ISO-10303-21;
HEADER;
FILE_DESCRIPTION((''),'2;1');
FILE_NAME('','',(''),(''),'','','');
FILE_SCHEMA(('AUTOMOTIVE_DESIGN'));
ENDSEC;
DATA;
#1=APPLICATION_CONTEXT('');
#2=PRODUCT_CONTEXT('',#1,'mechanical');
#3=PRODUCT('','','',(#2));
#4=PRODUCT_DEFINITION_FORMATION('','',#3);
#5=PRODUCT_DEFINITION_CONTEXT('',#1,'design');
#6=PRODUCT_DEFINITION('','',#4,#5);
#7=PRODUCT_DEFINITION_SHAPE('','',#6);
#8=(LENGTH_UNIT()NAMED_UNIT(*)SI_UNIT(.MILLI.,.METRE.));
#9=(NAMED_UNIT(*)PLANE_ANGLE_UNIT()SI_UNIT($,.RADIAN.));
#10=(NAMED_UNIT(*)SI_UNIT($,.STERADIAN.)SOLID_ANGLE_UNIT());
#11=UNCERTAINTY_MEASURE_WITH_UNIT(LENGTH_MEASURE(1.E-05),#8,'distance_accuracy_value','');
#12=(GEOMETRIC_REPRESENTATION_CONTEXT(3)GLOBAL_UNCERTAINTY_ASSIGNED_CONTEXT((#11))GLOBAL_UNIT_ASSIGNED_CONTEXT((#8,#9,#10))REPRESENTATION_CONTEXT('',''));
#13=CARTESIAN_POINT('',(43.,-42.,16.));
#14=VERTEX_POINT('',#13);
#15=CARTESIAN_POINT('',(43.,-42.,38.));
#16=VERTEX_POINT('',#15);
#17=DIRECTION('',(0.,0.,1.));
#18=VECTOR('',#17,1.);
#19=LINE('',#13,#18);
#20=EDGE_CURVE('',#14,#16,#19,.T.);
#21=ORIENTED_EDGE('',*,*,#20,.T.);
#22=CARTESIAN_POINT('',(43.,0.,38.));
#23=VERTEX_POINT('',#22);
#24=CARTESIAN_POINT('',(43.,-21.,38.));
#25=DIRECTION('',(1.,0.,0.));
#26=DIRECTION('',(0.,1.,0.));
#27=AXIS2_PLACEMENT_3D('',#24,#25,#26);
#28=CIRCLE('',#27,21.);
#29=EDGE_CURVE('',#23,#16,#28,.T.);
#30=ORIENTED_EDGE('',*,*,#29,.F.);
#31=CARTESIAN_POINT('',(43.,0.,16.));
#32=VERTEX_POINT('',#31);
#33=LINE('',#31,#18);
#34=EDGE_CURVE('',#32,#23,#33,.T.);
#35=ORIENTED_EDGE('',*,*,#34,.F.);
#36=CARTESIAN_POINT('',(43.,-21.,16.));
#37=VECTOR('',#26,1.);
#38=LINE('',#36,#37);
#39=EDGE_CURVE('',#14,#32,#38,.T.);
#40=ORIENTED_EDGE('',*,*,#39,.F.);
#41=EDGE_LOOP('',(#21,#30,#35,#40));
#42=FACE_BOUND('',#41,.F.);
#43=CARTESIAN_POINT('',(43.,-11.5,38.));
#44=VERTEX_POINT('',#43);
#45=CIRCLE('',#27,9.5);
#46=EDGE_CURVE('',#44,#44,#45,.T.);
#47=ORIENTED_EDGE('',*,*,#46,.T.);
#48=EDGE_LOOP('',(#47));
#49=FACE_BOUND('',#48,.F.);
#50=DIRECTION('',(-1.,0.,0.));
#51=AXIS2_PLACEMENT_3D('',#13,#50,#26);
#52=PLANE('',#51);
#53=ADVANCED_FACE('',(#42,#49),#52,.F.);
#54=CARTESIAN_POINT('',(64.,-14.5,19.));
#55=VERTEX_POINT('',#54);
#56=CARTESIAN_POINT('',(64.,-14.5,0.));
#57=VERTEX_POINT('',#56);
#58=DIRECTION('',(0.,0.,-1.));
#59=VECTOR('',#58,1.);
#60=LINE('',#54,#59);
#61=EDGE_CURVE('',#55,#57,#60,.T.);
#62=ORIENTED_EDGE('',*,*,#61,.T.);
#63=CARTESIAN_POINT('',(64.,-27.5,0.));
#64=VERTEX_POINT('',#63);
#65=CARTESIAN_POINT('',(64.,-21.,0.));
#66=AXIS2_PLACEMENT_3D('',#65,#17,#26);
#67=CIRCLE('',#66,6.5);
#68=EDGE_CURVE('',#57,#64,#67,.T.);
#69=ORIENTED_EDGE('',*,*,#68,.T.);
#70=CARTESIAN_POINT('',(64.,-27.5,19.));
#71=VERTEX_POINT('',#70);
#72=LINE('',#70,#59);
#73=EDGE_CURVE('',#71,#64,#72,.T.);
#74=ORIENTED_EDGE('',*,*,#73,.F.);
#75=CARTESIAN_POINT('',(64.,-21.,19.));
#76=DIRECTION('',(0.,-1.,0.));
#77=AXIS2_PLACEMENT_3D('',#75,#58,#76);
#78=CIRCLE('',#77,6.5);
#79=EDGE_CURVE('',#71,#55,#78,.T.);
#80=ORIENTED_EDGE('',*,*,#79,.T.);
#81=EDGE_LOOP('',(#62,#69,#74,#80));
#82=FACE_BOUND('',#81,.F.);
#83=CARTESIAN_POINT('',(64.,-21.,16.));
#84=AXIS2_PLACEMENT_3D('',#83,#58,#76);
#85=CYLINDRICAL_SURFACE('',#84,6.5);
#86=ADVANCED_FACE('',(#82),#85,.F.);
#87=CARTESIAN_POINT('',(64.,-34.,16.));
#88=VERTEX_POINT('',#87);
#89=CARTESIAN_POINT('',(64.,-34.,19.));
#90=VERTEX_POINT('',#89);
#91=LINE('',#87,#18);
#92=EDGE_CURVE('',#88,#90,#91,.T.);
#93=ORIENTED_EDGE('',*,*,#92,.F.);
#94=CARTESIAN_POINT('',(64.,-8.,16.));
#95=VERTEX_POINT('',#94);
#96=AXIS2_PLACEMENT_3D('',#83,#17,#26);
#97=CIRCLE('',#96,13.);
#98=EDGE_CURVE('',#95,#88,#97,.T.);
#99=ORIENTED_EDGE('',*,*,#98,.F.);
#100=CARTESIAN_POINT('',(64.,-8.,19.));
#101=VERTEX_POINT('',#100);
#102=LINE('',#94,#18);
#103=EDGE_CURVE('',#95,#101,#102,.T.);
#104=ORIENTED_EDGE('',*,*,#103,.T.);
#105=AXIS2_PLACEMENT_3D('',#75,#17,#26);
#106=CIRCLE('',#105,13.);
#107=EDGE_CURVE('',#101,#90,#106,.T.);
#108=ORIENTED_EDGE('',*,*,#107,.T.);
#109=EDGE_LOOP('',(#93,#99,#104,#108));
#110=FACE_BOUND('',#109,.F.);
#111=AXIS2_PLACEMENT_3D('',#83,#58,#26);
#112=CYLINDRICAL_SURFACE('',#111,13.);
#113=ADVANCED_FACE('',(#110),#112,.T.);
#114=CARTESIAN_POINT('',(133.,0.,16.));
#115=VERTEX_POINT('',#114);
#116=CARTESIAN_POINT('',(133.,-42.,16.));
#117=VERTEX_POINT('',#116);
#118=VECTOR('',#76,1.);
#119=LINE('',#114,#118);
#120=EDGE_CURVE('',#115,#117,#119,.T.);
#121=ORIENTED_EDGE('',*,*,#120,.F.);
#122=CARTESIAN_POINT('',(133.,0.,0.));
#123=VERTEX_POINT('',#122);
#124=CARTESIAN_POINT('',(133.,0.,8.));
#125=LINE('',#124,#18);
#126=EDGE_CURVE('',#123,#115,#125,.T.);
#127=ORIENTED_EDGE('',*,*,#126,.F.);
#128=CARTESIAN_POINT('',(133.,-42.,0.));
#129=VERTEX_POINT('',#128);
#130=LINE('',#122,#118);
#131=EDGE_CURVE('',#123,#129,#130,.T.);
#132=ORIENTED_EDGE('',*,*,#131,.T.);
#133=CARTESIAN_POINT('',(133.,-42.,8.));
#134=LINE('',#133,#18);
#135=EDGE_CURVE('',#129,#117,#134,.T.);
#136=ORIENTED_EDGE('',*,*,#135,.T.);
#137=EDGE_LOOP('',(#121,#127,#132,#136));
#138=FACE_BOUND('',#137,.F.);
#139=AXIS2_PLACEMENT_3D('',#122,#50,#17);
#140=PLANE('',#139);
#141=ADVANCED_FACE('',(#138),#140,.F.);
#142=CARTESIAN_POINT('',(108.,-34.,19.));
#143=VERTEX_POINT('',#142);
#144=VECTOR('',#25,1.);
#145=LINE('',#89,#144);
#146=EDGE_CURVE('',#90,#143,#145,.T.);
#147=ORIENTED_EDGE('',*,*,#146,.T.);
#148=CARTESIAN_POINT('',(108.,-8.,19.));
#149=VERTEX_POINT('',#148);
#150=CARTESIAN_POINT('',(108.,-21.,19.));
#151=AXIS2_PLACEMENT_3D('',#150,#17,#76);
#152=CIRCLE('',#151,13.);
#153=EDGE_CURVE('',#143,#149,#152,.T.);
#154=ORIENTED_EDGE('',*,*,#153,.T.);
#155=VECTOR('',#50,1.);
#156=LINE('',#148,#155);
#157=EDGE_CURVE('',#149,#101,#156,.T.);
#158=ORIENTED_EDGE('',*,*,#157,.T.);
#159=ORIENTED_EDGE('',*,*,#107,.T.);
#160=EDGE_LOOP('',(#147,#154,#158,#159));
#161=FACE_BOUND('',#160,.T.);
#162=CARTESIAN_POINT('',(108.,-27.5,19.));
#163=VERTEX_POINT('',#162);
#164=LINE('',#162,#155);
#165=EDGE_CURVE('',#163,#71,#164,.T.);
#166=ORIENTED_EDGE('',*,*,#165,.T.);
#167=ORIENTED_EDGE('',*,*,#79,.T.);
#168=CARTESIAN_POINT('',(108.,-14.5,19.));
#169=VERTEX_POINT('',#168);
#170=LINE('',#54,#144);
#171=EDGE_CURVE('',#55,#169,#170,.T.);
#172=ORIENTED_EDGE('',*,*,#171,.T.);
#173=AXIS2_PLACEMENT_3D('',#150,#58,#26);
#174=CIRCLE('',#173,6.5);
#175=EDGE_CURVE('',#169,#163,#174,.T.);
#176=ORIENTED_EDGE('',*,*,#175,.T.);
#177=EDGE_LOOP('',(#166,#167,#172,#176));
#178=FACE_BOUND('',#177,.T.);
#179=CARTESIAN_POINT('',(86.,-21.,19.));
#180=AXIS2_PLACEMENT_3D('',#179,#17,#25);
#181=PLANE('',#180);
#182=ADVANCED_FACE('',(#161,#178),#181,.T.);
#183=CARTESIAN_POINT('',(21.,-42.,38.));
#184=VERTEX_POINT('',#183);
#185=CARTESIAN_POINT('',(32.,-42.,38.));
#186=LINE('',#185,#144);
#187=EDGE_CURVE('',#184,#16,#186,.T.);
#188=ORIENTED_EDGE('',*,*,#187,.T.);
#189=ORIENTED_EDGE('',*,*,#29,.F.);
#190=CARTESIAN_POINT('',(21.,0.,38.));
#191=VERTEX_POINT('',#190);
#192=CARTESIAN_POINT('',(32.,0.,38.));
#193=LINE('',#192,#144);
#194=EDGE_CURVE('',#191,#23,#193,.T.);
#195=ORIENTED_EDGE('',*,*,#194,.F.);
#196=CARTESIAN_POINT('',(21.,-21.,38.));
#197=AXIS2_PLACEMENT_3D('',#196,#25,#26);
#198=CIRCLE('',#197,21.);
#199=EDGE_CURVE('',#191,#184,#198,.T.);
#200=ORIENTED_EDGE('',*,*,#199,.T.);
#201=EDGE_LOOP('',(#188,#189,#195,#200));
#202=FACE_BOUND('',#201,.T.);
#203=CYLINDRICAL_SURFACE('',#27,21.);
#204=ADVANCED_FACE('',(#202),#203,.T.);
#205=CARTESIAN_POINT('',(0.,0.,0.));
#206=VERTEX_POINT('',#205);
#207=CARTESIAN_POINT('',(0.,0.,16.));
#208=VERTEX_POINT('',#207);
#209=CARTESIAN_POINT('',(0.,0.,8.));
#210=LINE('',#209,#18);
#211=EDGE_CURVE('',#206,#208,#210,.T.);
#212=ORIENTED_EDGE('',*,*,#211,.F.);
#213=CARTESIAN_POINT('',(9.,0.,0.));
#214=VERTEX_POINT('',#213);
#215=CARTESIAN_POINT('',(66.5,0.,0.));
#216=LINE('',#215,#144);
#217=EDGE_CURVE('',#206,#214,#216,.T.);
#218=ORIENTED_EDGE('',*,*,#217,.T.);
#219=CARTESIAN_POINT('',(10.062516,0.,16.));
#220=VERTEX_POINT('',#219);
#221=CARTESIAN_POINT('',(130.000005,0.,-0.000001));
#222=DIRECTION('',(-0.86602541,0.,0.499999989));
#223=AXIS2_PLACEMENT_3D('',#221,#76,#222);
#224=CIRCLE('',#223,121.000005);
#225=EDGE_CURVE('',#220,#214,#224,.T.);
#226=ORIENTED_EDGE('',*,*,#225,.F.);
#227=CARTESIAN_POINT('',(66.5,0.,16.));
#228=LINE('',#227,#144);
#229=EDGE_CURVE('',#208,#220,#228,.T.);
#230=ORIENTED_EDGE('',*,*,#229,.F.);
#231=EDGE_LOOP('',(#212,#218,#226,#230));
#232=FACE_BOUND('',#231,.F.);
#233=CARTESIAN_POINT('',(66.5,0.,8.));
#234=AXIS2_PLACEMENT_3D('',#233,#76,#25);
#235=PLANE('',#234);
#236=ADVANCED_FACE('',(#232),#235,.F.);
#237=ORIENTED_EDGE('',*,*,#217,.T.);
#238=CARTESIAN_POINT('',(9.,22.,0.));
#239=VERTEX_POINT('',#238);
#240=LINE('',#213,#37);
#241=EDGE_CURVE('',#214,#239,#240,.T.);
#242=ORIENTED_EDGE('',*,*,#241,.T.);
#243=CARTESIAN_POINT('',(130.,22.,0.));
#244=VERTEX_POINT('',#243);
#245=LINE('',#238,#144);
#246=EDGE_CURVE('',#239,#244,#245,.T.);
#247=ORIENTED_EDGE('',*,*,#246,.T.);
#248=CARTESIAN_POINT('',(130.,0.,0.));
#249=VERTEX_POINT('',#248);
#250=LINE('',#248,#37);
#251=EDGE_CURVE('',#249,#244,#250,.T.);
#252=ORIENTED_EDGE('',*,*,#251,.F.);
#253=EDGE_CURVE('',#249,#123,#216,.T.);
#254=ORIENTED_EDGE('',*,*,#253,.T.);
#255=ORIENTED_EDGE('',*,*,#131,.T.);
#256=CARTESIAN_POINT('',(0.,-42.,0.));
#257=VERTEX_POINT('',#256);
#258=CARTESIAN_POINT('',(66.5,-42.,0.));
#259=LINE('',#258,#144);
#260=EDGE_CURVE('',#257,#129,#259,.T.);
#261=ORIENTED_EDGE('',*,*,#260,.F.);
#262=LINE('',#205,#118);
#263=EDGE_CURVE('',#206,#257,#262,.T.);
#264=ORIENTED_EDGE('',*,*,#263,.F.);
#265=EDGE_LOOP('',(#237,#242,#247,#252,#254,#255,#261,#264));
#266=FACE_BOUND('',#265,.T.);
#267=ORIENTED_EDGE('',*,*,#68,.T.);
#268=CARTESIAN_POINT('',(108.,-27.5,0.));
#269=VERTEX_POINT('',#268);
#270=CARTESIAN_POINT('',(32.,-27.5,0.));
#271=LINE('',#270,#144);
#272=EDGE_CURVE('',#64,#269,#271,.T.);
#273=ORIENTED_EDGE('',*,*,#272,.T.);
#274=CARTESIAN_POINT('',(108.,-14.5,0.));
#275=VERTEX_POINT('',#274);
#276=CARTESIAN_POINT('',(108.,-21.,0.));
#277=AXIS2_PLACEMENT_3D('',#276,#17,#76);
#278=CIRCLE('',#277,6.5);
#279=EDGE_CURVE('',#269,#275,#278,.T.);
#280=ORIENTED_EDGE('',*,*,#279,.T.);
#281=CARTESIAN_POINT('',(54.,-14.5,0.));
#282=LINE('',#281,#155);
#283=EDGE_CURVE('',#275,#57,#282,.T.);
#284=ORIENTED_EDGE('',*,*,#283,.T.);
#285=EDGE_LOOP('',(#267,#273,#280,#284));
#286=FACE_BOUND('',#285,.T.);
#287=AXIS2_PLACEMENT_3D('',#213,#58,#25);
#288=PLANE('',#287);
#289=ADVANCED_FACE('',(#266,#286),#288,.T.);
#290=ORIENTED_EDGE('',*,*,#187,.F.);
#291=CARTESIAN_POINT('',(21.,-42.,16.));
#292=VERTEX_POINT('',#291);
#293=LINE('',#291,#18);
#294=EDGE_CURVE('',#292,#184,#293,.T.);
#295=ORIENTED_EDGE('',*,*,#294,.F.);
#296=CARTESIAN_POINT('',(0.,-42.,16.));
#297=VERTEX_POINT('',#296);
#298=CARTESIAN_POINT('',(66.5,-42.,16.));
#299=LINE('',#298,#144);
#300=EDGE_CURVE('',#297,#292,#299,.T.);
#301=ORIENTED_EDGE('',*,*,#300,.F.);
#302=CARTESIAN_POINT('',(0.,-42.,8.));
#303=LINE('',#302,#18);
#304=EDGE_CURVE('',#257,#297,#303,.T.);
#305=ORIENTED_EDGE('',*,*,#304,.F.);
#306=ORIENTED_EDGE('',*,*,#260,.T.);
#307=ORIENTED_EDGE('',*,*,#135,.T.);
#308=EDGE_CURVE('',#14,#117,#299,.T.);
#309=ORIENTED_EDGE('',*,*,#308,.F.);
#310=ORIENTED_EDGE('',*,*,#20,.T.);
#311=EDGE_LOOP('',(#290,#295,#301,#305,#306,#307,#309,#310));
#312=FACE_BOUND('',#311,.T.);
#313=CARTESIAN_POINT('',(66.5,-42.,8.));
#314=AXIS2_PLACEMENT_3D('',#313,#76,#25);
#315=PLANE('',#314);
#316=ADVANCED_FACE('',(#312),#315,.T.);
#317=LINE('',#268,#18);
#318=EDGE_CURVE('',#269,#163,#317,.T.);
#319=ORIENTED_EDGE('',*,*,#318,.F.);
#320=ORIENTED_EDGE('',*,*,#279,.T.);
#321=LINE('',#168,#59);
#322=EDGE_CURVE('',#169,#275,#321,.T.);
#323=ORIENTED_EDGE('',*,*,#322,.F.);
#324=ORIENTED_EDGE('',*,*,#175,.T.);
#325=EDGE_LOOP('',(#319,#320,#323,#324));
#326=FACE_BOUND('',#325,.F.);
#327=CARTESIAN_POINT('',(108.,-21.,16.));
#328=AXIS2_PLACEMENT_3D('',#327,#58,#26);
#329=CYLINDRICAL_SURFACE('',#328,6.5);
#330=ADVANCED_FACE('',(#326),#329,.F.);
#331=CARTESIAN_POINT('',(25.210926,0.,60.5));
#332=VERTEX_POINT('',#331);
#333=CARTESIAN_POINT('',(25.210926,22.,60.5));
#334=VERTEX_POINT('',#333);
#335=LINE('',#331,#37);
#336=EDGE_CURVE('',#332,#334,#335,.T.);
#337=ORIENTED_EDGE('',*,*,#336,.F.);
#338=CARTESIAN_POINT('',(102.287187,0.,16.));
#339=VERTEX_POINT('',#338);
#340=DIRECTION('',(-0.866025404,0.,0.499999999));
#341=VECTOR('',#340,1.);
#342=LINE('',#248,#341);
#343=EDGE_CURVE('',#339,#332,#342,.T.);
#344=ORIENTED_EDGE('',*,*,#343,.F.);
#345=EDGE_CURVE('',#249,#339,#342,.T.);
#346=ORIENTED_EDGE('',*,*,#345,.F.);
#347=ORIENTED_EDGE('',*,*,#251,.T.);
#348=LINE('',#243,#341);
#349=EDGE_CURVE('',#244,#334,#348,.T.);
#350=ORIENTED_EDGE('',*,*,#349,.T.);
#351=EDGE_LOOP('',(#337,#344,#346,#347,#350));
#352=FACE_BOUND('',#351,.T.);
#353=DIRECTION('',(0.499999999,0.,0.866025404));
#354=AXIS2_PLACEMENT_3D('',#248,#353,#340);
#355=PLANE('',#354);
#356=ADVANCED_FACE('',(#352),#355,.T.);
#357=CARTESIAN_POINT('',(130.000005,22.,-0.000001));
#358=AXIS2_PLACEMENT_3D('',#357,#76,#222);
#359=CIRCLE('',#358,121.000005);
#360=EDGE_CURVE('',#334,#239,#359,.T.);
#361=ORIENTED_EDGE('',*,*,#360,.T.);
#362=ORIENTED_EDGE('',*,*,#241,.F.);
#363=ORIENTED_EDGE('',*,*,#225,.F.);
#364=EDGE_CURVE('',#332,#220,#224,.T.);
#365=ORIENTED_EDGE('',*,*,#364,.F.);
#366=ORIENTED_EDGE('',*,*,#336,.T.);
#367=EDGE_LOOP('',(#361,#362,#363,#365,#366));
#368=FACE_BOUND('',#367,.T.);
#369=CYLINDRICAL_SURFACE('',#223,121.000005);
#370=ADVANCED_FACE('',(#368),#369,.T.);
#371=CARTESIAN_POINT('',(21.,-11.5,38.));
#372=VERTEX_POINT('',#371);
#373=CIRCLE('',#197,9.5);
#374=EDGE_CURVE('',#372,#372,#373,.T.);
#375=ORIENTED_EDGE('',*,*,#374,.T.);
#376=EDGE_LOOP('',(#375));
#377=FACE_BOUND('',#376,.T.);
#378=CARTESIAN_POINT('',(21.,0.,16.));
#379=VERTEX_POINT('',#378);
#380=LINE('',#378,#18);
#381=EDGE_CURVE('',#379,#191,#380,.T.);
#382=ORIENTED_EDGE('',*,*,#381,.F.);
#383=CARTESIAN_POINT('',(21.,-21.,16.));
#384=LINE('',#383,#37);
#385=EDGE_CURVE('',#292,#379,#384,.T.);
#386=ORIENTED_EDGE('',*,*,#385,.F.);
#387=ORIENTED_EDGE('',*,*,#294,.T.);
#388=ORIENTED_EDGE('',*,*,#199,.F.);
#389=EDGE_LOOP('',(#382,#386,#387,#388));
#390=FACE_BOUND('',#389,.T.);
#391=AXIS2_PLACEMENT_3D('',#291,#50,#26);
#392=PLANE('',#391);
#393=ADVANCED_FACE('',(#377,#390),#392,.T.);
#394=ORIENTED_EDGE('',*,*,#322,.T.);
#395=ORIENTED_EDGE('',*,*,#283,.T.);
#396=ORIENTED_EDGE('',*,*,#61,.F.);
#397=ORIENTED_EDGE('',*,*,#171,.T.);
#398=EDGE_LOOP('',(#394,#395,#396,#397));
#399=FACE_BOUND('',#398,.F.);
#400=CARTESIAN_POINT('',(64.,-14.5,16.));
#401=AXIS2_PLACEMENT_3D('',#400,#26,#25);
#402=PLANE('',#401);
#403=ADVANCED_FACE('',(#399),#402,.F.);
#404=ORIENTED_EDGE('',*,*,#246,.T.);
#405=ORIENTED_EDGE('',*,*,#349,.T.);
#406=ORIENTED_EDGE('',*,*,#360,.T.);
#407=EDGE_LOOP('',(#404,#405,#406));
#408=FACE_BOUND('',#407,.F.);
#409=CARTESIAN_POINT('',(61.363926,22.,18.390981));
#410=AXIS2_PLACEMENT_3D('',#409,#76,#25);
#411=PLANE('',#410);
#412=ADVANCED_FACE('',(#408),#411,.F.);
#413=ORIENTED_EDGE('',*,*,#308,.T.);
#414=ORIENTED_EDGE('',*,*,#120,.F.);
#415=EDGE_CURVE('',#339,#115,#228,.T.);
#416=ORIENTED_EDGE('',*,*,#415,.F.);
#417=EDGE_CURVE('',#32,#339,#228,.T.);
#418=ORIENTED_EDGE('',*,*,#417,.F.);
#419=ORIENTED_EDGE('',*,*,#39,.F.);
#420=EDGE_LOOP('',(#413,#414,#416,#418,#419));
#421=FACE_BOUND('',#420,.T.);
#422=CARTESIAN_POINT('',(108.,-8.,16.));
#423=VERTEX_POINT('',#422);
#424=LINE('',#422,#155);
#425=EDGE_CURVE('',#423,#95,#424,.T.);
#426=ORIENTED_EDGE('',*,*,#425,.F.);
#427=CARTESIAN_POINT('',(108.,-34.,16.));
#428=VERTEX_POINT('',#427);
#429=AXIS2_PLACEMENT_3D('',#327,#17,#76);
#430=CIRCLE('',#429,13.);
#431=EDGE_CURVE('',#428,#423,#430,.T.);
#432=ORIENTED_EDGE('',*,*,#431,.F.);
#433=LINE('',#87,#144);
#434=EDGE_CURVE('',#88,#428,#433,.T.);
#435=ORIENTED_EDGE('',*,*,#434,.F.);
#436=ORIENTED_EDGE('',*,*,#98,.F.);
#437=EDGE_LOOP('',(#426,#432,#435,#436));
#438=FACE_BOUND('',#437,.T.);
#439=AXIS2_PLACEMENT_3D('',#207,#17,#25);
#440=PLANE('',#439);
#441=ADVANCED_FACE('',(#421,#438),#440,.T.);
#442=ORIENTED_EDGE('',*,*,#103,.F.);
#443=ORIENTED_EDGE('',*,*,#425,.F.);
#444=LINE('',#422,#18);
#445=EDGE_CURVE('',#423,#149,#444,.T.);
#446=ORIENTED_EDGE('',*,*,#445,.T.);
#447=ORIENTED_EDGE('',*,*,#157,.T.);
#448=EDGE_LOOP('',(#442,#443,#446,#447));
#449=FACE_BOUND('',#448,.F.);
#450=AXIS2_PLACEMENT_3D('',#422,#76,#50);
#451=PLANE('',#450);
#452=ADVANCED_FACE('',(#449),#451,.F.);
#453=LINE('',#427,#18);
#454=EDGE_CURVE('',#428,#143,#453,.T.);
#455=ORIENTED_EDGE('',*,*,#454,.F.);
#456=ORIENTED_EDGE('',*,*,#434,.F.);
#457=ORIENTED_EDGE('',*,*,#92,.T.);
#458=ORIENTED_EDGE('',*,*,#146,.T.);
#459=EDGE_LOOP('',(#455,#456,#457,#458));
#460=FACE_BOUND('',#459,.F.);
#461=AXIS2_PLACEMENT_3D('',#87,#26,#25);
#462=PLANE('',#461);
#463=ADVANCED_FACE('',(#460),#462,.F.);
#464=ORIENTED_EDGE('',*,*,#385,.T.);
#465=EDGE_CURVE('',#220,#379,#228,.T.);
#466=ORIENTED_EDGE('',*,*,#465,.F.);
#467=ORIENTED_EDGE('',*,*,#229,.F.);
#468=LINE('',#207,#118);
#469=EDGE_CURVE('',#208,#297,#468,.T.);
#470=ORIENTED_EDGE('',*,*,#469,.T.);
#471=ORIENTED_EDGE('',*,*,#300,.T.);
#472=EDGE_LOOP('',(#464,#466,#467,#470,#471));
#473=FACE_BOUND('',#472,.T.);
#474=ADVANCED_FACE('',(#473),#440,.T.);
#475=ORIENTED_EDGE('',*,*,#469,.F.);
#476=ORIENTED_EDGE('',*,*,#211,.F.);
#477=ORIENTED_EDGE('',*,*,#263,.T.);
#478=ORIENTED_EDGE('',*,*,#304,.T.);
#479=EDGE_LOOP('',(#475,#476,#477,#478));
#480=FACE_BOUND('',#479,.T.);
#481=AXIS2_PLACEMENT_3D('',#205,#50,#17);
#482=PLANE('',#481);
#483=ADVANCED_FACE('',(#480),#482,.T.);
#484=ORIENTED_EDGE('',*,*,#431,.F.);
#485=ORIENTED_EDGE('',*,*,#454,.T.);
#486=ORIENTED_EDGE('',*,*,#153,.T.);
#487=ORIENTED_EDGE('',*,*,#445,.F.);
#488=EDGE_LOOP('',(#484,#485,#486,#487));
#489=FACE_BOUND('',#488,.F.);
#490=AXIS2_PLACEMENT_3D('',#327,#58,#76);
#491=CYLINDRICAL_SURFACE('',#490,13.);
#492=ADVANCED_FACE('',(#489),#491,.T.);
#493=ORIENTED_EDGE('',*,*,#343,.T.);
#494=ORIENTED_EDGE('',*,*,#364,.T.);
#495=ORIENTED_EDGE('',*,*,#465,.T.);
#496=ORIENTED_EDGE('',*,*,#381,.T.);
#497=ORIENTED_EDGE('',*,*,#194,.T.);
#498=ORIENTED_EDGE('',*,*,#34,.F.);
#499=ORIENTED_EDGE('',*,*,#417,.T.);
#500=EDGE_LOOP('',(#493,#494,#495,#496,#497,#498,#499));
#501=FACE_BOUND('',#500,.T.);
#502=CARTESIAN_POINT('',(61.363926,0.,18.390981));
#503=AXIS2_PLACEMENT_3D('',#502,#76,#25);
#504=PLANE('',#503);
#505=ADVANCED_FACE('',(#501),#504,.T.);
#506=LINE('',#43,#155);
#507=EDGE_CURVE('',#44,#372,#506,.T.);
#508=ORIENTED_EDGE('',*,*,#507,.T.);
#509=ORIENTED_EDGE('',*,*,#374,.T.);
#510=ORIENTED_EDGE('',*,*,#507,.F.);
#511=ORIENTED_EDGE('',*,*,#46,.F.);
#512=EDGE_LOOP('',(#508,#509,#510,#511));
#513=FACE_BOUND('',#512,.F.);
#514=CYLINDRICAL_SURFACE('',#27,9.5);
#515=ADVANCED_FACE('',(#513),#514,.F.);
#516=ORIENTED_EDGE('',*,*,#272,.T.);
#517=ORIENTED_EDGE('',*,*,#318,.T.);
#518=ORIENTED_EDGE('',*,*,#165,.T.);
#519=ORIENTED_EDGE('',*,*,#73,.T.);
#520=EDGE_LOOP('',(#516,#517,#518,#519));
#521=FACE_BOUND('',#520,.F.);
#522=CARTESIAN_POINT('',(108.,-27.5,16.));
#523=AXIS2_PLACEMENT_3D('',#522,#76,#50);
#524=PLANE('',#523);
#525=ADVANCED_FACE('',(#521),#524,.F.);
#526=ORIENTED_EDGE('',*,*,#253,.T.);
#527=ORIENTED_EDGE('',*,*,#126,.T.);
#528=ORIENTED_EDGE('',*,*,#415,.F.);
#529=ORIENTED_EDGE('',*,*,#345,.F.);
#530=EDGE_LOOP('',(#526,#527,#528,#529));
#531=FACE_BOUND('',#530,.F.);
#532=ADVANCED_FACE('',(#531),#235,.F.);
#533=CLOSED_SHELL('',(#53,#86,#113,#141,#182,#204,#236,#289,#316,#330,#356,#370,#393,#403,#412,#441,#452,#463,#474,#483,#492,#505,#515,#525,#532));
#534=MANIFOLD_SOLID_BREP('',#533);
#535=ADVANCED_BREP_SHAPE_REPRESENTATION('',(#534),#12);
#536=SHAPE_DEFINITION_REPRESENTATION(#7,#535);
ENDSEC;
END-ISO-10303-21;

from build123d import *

# Parameters (mm, degrees)
F0_W      = 133
F0_H      = 16
F1_DEPTH  = 42
F2_W      = 22
F2_H      = 42
F3_DEPTH  = 22
F4_DEPTH  = 16.001
F5_DEPTH  = 3
F6_R      = 9.5
F7_DEPTH  = 22
F8_DEPTH  = 43.001
F10_DEPTH = 22


with BuildPart() as f1:
    # F0 (on Front) → F1 (new body)
    with BuildSketch(Plane.XZ):
        with Locations((66.5, 8)):
            Rectangle(F0_W, F0_H)
    extrude(amount=F1_DEPTH)

    # F2 (on face) → F3 (join)
    with BuildSketch(Plane.XY.offset(16)):
        with Locations((32, -21)):
            Rectangle(F2_W, F2_H)
    extrude(amount=F3_DEPTH)

    # F2 (on face) → F4 (cut, through all)
    with BuildSketch(Plane.XY.offset(16)):
        with BuildLine():
            ThreePointArc((64, -14.5), (57.5, -21), (64, -27.5))
            Line((64, -27.5), (108, -27.5))
            ThreePointArc((108, -27.5), (114.5, -21), (108, -14.5))
            Line((108, -14.5), (64, -14.5))
        make_face()
    extrude(amount=-F4_DEPTH, mode=Mode.SUBTRACT)

    # F2 (on face) → F5 (join)
    with BuildSketch(Plane.XY.offset(16)):
        with BuildLine():
            ThreePointArc((64, -8), (51, -21), (64, -34))
            Line((64, -34), (108, -34))
            ThreePointArc((108, -34), (121, -21), (108, -8))
            Line((108, -8), (64, -8))
        make_face()
        with BuildLine():
            Line((108, -27.5), (64, -27.5))
            ThreePointArc((64, -27.5), (57.5, -21), (64, -14.5))
            Line((64, -14.5), (108, -14.5))
            ThreePointArc((108, -14.5), (114.5, -21), (108, -27.5))
        make_face(mode=Mode.SUBTRACT)
    extrude(amount=F5_DEPTH)

    # F6 (on face) → F7 (join)
    with BuildSketch(Plane.YZ.offset(43)):
        with Locations((-21, 38)):
            Circle(F6_R)
        with BuildLine():
            Line((-11.5, 38), (0, 38))
            ThreePointArc((0, 38), (-21, 59), (-42, 38))
            Line((-42, 38), (-30.5, 38))
            ThreePointArc((-30.5, 38), (-21, 47.5), (-11.5, 38))
        make_face()
    extrude(amount=-F7_DEPTH)

    # F6 (on face) → F8 (cut, through all)
    with BuildSketch(Plane.YZ.offset(43)):
        with Locations((-21, 38)):
            Circle(F6_R)
    extrude(amount=-F8_DEPTH, mode=Mode.SUBTRACT)

    # F9 (on Front) → F10 (join)
    with BuildSketch(Plane.XZ):
        with BuildLine():
            ThreePointArc((25.210926, 60.5), (13.122975, 31.317104), (9, 0))
            Line((9, 0), (130, 0))
            Line((130, 0), (25.210926, 60.5))
        make_face()
    extrude(amount=-F10_DEPTH)


solid = f1.part
